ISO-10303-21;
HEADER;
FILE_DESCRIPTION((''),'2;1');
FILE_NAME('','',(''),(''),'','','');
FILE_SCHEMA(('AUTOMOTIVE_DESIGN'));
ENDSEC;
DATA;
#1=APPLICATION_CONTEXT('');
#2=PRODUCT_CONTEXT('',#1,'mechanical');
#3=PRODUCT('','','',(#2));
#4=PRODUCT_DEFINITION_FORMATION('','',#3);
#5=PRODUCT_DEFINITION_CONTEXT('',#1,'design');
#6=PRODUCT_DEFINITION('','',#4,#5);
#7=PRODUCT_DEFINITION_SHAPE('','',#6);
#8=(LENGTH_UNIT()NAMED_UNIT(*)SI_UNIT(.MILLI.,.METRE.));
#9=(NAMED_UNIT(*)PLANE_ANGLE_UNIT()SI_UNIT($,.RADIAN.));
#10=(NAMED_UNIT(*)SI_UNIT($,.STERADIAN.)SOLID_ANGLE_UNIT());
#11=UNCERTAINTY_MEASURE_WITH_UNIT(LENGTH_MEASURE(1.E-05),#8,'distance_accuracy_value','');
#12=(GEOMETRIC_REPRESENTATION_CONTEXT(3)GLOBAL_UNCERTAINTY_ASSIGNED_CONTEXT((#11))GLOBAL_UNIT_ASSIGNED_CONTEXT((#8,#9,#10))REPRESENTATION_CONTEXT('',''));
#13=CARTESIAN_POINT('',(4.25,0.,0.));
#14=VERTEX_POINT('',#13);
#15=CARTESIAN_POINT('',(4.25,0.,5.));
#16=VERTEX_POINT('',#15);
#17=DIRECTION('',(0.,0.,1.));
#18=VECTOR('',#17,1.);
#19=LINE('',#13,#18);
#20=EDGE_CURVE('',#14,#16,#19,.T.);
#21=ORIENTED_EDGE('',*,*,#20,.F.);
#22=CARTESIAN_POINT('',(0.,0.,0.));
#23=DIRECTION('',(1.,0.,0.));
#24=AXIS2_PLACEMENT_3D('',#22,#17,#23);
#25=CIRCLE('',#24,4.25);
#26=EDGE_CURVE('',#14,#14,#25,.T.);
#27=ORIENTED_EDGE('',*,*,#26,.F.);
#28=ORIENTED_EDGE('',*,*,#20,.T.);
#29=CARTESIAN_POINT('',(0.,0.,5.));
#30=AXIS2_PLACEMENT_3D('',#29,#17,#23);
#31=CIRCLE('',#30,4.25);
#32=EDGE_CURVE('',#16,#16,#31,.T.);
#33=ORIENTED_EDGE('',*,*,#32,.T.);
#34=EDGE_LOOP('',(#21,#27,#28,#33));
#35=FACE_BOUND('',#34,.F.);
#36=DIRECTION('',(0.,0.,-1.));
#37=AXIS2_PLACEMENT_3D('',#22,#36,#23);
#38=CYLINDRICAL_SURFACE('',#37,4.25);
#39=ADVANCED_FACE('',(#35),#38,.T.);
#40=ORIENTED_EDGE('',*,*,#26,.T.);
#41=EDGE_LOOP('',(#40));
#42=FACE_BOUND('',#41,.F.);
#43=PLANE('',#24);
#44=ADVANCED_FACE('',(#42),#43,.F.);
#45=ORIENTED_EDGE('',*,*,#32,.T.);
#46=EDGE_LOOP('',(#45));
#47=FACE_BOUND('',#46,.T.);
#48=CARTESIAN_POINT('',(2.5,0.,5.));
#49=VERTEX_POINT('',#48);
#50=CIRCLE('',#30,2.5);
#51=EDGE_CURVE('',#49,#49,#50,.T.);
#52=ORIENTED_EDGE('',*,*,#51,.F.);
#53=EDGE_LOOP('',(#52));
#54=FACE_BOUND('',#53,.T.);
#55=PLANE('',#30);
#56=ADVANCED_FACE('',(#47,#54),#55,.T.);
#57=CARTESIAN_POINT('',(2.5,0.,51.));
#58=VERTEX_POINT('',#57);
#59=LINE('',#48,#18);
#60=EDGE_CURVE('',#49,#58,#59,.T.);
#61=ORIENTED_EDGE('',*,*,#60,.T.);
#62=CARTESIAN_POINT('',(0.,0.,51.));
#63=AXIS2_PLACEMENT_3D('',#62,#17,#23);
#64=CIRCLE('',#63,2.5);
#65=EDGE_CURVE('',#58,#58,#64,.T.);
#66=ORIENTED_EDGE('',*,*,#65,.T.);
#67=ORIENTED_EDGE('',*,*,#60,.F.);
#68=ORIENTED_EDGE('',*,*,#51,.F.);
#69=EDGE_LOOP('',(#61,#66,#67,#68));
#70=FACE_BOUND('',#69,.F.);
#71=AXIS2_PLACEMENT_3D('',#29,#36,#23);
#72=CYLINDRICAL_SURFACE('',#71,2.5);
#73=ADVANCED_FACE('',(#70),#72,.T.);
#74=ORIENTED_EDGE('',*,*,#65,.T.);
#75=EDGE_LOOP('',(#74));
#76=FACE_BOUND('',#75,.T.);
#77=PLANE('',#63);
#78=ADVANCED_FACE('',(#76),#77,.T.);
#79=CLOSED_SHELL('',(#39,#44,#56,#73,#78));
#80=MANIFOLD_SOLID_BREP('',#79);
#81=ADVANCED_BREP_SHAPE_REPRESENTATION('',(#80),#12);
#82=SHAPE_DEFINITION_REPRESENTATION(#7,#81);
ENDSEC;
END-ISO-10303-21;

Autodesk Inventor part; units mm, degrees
ref_plane "YZ Plane" through (0, 0, 0) normal (1, 0, 0) x (0, 1, 0)
ref_plane "XZ Plane" through (0, 0, 0) normal (0, 1, 0) x (-1, 0, 0)
ref_plane "XY Plane" through (0, 0, 0) normal (0, 0, 1) x (1, 0, 0)
sketch "Sketch1" plane through (0, 0, 0) normal (0, 0, 1) x (1, 0, 0)
  circle A0 centre (0, 0) radius 4.25
  dimension "d0" = 8.5
extrude "Extrusion1" add sketch "Sketch1" along normal blind 5
sketch "Sketch2" plane through (0, 0, 5) normal (0, 0, 1) x (1, 0, 0)
  circle A0 centre (0, 0) radius 2.5
  dimension "d3" = 5
extrude "Extrusion2" add sketch "Sketch2" along normal blind 46
properties part number "Five(mm)51Screw"
